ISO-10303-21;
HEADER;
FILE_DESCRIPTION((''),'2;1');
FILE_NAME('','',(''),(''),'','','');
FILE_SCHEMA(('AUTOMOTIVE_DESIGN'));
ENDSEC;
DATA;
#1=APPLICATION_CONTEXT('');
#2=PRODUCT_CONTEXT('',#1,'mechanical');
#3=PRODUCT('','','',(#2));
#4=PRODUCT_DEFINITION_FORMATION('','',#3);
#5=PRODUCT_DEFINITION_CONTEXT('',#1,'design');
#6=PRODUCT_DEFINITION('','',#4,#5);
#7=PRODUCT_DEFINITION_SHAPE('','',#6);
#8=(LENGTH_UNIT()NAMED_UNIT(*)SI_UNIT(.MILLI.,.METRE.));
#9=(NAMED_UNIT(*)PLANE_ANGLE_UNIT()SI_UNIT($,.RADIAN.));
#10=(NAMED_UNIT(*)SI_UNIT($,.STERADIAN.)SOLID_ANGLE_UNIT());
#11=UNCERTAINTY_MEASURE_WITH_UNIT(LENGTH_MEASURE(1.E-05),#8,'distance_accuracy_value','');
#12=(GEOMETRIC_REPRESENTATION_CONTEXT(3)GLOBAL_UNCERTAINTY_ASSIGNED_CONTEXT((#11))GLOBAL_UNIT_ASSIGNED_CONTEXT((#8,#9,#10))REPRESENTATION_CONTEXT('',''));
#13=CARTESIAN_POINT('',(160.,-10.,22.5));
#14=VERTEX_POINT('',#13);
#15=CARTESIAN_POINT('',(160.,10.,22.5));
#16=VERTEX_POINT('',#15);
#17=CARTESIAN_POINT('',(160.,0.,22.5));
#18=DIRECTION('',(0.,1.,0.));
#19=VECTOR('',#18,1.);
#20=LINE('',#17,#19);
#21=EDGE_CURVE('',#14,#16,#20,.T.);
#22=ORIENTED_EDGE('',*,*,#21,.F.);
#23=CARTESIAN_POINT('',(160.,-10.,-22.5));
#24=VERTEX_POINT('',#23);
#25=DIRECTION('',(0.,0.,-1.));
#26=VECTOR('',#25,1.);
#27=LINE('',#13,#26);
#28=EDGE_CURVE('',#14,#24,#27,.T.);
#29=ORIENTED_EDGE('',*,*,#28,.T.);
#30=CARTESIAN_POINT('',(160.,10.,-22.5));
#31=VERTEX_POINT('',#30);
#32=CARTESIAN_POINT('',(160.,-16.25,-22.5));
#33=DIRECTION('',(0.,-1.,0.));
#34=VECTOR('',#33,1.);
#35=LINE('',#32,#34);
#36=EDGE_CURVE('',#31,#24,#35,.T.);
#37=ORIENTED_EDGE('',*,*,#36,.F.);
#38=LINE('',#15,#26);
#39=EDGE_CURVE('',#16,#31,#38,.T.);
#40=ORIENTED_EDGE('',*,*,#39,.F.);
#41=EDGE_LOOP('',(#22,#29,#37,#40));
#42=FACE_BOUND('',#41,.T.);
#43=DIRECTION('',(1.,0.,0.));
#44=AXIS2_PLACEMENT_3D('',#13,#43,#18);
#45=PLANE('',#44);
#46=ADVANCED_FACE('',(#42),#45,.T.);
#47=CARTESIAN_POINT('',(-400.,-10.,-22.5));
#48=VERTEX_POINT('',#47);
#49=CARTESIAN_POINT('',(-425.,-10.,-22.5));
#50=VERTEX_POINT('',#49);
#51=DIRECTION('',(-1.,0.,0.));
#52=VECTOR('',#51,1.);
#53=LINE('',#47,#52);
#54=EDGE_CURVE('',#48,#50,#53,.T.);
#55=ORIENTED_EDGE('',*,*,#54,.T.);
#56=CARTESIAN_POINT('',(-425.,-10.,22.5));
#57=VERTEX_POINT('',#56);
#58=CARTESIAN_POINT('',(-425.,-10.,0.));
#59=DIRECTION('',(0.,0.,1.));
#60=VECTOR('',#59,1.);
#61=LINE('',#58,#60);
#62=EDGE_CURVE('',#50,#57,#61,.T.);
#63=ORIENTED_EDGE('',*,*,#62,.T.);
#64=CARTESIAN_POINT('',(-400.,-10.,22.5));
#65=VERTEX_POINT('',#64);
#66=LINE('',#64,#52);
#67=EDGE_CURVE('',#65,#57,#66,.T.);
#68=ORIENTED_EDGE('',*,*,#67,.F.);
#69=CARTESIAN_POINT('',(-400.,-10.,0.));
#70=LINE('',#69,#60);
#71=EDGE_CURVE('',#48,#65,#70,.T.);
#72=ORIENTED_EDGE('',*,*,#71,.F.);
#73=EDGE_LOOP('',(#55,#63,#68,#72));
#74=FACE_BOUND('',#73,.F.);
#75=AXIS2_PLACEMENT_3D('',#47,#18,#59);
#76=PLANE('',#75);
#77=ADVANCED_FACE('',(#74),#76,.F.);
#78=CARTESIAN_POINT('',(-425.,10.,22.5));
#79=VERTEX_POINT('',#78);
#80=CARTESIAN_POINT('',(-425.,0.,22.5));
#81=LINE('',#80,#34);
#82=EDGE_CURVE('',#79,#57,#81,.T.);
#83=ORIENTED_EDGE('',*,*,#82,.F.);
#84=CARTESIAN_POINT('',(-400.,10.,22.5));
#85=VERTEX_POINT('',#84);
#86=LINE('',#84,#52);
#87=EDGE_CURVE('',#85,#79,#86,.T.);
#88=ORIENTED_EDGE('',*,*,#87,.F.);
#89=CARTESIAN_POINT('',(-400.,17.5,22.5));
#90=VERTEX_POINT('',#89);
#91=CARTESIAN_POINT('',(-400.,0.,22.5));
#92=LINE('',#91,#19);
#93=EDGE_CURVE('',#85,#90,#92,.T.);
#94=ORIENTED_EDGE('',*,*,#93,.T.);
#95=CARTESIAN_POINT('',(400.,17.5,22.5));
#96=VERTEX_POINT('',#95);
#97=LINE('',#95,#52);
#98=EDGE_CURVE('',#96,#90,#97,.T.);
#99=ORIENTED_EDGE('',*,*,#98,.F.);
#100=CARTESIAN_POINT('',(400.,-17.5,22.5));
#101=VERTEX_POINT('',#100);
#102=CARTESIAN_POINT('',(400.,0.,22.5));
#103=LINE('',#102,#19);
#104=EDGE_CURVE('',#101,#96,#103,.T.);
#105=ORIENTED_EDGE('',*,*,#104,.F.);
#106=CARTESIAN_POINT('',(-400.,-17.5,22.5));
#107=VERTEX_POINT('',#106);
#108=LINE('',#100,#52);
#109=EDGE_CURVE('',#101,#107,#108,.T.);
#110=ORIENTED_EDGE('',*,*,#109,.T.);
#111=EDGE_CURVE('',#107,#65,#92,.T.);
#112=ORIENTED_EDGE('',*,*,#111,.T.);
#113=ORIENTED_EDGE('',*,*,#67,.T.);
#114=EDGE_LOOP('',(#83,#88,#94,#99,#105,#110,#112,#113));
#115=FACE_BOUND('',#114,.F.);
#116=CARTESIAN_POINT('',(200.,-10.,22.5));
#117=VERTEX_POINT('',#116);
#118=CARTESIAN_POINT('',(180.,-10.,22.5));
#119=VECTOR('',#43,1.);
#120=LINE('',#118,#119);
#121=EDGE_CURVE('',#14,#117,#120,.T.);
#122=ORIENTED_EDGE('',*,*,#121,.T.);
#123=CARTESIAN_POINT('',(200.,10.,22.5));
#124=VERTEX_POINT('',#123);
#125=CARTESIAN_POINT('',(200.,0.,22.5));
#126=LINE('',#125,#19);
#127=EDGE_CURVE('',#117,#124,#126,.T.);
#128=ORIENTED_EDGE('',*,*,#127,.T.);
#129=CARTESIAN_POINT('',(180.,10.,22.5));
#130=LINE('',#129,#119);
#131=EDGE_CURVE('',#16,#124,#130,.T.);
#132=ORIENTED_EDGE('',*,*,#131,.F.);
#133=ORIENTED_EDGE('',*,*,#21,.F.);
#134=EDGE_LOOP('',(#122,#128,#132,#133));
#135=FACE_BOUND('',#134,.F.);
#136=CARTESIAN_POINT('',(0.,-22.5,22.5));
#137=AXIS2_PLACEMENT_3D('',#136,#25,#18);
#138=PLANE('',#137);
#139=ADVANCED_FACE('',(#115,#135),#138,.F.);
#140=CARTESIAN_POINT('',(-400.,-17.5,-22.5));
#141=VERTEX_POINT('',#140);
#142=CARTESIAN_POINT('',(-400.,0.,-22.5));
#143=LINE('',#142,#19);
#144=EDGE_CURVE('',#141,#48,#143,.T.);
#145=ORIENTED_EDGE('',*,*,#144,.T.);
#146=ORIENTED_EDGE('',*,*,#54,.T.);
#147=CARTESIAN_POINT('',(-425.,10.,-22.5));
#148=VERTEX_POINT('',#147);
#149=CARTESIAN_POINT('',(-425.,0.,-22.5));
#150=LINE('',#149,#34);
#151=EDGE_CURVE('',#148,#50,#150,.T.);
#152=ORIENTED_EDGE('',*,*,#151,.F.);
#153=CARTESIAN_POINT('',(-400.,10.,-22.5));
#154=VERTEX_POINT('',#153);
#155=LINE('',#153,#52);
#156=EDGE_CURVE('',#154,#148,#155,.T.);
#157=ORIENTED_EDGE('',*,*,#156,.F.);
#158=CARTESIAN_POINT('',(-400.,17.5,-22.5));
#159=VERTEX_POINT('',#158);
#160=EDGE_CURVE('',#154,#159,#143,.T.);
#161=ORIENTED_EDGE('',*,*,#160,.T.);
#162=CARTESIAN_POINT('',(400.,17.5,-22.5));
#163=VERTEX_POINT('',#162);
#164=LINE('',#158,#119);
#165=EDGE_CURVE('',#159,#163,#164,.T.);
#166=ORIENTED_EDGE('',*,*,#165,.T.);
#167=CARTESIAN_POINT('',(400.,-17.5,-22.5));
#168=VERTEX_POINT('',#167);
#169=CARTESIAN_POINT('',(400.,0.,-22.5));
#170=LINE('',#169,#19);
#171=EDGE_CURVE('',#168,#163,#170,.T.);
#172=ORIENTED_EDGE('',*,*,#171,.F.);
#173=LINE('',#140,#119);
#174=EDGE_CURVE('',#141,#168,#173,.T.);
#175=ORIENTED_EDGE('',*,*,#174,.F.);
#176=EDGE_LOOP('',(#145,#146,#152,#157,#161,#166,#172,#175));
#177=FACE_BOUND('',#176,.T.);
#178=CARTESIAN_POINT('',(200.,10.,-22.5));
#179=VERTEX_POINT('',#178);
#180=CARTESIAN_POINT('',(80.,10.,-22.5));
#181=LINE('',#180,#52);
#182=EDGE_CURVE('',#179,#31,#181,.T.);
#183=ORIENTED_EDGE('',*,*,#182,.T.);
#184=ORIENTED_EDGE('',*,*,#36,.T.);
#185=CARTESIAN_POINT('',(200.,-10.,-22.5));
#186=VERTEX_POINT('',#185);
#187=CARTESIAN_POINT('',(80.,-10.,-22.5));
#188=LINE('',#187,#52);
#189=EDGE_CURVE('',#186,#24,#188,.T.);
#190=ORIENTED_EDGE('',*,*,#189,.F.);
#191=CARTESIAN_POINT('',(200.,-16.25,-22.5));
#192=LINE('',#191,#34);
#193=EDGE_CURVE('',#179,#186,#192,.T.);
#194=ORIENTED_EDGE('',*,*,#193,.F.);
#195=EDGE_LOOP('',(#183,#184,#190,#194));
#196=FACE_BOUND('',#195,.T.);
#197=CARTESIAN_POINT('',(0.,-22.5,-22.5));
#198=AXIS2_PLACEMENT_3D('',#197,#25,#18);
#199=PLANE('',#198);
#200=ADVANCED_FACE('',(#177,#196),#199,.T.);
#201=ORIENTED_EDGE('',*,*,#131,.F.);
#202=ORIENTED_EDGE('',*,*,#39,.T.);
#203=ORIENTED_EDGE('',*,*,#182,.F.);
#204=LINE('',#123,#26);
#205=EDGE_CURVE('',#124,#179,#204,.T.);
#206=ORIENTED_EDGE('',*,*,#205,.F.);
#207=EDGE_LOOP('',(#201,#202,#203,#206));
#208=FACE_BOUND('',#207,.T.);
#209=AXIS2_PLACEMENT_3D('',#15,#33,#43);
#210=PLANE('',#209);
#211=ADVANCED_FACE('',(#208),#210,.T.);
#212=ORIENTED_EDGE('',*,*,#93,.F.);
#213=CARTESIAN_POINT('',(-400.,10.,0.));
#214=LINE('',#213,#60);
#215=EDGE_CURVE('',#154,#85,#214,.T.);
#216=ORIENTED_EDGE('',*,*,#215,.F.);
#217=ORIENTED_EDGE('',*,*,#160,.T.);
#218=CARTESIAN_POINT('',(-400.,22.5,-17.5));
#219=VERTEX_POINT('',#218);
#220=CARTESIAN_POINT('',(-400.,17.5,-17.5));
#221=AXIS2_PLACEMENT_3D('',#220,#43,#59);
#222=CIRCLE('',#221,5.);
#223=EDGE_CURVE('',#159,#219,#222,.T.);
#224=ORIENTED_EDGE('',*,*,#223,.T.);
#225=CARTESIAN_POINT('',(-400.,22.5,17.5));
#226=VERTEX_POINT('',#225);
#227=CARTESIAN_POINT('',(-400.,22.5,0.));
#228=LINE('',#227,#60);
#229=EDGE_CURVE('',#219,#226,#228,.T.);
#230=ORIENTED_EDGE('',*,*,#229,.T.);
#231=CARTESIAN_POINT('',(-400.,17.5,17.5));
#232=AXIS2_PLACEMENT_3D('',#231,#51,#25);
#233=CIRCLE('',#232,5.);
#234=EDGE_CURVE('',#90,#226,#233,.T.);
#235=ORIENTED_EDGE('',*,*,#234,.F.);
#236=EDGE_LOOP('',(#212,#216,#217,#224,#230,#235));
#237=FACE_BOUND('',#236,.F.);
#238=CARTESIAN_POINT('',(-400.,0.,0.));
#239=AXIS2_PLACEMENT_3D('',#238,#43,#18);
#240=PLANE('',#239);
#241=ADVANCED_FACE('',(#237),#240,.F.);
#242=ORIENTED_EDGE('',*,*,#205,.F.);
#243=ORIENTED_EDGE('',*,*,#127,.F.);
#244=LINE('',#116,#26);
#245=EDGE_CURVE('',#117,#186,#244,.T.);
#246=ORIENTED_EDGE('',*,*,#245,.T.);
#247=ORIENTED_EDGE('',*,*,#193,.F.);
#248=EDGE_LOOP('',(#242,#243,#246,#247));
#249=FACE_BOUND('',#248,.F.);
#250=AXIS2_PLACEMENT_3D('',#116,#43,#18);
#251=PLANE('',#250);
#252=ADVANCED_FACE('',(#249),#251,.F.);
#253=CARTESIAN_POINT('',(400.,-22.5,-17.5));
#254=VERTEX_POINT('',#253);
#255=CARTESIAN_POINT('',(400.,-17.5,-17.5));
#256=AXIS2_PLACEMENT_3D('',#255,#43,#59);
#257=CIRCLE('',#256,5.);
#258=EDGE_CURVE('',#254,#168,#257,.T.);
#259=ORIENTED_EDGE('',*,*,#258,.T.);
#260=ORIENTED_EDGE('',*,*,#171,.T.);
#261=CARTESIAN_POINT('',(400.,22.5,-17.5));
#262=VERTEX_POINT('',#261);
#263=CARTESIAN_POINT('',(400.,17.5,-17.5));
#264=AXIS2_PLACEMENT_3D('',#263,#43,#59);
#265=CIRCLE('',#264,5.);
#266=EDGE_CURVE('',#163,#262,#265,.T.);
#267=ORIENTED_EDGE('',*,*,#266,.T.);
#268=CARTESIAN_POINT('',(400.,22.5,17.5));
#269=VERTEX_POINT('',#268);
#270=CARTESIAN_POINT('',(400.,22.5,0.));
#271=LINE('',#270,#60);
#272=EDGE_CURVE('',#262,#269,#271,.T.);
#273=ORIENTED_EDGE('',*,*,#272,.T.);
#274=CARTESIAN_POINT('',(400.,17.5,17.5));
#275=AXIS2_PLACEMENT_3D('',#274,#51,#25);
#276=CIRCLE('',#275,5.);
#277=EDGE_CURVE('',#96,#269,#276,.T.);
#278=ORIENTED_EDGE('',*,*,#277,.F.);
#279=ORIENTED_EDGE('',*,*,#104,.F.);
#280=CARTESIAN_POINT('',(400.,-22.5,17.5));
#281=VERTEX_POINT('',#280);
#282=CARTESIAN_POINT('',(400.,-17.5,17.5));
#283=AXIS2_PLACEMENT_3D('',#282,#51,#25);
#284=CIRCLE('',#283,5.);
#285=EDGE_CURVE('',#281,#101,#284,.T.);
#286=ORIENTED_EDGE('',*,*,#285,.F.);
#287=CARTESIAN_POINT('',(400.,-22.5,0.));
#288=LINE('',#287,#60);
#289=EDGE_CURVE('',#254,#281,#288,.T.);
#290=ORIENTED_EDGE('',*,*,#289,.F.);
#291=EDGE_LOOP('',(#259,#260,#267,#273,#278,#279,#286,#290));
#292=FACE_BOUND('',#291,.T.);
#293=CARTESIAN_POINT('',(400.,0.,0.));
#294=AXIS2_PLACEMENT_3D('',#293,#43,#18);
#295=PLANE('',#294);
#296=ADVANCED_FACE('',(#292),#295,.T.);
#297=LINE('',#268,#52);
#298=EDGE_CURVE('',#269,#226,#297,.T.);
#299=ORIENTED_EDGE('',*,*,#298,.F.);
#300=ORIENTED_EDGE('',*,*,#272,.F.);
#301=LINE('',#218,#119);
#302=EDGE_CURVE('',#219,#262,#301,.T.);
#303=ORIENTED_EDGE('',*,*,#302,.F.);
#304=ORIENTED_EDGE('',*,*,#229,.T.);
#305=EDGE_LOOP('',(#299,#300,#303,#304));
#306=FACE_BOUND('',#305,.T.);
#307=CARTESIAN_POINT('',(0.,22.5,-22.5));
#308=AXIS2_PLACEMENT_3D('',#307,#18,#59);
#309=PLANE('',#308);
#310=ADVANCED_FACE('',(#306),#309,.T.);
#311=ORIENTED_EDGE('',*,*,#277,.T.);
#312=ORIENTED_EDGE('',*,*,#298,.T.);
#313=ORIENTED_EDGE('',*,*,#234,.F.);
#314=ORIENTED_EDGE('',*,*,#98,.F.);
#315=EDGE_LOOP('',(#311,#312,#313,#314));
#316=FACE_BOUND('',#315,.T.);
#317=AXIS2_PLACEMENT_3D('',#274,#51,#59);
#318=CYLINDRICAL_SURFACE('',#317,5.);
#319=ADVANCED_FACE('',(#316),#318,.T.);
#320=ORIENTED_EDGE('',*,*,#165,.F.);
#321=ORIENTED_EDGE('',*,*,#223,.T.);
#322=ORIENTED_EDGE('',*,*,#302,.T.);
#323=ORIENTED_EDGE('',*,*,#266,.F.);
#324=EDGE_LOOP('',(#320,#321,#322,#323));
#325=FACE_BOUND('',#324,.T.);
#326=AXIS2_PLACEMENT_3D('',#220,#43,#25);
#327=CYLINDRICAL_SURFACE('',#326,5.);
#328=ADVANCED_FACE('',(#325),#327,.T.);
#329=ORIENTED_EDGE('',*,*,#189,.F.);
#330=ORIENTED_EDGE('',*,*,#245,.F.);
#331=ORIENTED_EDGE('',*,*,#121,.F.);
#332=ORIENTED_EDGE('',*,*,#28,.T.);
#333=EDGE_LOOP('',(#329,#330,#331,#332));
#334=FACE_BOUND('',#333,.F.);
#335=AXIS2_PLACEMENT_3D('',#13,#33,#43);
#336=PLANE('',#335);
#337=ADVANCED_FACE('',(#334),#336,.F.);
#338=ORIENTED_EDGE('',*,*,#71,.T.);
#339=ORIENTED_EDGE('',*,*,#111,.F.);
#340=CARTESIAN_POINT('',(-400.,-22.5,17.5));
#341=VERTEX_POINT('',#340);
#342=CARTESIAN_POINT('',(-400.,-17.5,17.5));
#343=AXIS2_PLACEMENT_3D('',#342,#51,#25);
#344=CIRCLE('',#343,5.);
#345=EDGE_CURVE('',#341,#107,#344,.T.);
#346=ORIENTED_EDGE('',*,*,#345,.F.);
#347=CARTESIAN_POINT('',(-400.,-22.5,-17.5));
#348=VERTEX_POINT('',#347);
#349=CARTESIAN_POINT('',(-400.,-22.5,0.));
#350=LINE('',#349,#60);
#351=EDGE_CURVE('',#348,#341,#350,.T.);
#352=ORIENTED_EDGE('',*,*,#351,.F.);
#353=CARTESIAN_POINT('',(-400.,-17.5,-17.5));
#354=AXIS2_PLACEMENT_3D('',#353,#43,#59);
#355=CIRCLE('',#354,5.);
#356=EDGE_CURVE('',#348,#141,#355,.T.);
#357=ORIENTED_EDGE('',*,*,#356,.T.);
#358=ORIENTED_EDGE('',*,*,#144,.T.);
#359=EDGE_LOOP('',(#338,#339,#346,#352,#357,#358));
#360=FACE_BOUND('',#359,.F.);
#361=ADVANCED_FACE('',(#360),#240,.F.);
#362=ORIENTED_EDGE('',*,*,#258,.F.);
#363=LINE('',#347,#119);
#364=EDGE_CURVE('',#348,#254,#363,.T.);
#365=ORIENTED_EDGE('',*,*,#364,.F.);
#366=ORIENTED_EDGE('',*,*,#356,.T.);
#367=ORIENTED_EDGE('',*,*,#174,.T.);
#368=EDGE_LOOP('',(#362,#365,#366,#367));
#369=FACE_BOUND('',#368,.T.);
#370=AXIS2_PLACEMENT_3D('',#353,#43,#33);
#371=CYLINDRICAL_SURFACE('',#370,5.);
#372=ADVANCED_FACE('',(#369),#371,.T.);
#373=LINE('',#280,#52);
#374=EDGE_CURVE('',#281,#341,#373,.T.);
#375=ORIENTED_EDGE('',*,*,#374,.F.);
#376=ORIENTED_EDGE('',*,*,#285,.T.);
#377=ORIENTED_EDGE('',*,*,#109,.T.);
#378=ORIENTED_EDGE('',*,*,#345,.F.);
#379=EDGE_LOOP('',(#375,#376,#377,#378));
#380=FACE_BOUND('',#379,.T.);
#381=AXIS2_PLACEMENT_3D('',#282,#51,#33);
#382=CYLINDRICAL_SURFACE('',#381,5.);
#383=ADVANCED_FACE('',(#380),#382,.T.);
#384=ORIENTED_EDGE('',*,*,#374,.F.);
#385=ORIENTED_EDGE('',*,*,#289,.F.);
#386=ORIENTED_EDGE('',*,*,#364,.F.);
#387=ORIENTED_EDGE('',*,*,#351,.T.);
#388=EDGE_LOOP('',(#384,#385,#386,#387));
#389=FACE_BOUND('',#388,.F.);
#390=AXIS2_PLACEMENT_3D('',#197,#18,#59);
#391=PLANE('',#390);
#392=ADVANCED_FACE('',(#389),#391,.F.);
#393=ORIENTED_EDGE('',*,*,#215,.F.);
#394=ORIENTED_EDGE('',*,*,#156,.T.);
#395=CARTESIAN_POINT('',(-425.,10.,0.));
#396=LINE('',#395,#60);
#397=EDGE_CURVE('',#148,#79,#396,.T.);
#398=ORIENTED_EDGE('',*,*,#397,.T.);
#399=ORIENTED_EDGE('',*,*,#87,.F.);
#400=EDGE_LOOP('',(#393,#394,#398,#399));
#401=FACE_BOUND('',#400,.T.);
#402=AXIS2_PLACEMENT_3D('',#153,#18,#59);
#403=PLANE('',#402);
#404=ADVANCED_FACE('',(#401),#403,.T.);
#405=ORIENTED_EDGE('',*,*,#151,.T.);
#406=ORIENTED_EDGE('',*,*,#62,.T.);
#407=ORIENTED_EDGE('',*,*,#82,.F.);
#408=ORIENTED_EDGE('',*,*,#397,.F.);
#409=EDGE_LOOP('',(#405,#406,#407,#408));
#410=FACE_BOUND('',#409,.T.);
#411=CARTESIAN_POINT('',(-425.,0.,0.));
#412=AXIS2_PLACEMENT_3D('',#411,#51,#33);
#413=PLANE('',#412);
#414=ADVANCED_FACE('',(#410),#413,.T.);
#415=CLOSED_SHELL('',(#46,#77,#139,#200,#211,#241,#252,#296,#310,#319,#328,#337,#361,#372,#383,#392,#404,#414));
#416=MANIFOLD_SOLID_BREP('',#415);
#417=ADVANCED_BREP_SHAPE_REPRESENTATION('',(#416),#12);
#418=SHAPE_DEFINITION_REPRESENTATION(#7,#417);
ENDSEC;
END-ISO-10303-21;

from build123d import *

# Parameters (mm, degrees)
F0_W     = 45
F0_H     = 45
F1_DEPTH = 400
F2_W     = 20
F2_H     = 45
F3_DEPTH = 25
F4_R     = 5
F5_W     = 40
F5_H     = 20
F6_DEPTH = 45.001


with BuildPart() as f1:
    # F0 (on Right) → F1 (new body, symmetric)
    with BuildSketch(Plane.YZ):
        Rectangle(F0_W, F0_H)
    extrude(amount=F1_DEPTH, both=True)

    # F2 (on face) → F3 (join)
    with BuildSketch(Plane(origin=(-400, 0, 0), x_dir=(0, -1, 0), z_dir=(-1, 0, 0))):
        Rectangle(F2_W, F2_H)
    extrude(amount=F3_DEPTH)

    # F4
    f4_edges = [f1.edges().sort_by_distance(p)[0] for p in [
        (0, -22.5, -22.5),
        (0, 22.5, -22.5),
        (0, -22.5, 22.5),
        (0, 22.5, 22.5),
    ]]
    fillet(f4_edges, radius=F4_R)

    # F5 (on face) → F6 (cut, through all)
    with BuildSketch(Plane.XY.offset(22.5)):
        with Locations((180, 0)):
            Rectangle(F5_W, F5_H)
    extrude(amount=-F6_DEPTH, mode=Mode.SUBTRACT)


solid = f1.part
